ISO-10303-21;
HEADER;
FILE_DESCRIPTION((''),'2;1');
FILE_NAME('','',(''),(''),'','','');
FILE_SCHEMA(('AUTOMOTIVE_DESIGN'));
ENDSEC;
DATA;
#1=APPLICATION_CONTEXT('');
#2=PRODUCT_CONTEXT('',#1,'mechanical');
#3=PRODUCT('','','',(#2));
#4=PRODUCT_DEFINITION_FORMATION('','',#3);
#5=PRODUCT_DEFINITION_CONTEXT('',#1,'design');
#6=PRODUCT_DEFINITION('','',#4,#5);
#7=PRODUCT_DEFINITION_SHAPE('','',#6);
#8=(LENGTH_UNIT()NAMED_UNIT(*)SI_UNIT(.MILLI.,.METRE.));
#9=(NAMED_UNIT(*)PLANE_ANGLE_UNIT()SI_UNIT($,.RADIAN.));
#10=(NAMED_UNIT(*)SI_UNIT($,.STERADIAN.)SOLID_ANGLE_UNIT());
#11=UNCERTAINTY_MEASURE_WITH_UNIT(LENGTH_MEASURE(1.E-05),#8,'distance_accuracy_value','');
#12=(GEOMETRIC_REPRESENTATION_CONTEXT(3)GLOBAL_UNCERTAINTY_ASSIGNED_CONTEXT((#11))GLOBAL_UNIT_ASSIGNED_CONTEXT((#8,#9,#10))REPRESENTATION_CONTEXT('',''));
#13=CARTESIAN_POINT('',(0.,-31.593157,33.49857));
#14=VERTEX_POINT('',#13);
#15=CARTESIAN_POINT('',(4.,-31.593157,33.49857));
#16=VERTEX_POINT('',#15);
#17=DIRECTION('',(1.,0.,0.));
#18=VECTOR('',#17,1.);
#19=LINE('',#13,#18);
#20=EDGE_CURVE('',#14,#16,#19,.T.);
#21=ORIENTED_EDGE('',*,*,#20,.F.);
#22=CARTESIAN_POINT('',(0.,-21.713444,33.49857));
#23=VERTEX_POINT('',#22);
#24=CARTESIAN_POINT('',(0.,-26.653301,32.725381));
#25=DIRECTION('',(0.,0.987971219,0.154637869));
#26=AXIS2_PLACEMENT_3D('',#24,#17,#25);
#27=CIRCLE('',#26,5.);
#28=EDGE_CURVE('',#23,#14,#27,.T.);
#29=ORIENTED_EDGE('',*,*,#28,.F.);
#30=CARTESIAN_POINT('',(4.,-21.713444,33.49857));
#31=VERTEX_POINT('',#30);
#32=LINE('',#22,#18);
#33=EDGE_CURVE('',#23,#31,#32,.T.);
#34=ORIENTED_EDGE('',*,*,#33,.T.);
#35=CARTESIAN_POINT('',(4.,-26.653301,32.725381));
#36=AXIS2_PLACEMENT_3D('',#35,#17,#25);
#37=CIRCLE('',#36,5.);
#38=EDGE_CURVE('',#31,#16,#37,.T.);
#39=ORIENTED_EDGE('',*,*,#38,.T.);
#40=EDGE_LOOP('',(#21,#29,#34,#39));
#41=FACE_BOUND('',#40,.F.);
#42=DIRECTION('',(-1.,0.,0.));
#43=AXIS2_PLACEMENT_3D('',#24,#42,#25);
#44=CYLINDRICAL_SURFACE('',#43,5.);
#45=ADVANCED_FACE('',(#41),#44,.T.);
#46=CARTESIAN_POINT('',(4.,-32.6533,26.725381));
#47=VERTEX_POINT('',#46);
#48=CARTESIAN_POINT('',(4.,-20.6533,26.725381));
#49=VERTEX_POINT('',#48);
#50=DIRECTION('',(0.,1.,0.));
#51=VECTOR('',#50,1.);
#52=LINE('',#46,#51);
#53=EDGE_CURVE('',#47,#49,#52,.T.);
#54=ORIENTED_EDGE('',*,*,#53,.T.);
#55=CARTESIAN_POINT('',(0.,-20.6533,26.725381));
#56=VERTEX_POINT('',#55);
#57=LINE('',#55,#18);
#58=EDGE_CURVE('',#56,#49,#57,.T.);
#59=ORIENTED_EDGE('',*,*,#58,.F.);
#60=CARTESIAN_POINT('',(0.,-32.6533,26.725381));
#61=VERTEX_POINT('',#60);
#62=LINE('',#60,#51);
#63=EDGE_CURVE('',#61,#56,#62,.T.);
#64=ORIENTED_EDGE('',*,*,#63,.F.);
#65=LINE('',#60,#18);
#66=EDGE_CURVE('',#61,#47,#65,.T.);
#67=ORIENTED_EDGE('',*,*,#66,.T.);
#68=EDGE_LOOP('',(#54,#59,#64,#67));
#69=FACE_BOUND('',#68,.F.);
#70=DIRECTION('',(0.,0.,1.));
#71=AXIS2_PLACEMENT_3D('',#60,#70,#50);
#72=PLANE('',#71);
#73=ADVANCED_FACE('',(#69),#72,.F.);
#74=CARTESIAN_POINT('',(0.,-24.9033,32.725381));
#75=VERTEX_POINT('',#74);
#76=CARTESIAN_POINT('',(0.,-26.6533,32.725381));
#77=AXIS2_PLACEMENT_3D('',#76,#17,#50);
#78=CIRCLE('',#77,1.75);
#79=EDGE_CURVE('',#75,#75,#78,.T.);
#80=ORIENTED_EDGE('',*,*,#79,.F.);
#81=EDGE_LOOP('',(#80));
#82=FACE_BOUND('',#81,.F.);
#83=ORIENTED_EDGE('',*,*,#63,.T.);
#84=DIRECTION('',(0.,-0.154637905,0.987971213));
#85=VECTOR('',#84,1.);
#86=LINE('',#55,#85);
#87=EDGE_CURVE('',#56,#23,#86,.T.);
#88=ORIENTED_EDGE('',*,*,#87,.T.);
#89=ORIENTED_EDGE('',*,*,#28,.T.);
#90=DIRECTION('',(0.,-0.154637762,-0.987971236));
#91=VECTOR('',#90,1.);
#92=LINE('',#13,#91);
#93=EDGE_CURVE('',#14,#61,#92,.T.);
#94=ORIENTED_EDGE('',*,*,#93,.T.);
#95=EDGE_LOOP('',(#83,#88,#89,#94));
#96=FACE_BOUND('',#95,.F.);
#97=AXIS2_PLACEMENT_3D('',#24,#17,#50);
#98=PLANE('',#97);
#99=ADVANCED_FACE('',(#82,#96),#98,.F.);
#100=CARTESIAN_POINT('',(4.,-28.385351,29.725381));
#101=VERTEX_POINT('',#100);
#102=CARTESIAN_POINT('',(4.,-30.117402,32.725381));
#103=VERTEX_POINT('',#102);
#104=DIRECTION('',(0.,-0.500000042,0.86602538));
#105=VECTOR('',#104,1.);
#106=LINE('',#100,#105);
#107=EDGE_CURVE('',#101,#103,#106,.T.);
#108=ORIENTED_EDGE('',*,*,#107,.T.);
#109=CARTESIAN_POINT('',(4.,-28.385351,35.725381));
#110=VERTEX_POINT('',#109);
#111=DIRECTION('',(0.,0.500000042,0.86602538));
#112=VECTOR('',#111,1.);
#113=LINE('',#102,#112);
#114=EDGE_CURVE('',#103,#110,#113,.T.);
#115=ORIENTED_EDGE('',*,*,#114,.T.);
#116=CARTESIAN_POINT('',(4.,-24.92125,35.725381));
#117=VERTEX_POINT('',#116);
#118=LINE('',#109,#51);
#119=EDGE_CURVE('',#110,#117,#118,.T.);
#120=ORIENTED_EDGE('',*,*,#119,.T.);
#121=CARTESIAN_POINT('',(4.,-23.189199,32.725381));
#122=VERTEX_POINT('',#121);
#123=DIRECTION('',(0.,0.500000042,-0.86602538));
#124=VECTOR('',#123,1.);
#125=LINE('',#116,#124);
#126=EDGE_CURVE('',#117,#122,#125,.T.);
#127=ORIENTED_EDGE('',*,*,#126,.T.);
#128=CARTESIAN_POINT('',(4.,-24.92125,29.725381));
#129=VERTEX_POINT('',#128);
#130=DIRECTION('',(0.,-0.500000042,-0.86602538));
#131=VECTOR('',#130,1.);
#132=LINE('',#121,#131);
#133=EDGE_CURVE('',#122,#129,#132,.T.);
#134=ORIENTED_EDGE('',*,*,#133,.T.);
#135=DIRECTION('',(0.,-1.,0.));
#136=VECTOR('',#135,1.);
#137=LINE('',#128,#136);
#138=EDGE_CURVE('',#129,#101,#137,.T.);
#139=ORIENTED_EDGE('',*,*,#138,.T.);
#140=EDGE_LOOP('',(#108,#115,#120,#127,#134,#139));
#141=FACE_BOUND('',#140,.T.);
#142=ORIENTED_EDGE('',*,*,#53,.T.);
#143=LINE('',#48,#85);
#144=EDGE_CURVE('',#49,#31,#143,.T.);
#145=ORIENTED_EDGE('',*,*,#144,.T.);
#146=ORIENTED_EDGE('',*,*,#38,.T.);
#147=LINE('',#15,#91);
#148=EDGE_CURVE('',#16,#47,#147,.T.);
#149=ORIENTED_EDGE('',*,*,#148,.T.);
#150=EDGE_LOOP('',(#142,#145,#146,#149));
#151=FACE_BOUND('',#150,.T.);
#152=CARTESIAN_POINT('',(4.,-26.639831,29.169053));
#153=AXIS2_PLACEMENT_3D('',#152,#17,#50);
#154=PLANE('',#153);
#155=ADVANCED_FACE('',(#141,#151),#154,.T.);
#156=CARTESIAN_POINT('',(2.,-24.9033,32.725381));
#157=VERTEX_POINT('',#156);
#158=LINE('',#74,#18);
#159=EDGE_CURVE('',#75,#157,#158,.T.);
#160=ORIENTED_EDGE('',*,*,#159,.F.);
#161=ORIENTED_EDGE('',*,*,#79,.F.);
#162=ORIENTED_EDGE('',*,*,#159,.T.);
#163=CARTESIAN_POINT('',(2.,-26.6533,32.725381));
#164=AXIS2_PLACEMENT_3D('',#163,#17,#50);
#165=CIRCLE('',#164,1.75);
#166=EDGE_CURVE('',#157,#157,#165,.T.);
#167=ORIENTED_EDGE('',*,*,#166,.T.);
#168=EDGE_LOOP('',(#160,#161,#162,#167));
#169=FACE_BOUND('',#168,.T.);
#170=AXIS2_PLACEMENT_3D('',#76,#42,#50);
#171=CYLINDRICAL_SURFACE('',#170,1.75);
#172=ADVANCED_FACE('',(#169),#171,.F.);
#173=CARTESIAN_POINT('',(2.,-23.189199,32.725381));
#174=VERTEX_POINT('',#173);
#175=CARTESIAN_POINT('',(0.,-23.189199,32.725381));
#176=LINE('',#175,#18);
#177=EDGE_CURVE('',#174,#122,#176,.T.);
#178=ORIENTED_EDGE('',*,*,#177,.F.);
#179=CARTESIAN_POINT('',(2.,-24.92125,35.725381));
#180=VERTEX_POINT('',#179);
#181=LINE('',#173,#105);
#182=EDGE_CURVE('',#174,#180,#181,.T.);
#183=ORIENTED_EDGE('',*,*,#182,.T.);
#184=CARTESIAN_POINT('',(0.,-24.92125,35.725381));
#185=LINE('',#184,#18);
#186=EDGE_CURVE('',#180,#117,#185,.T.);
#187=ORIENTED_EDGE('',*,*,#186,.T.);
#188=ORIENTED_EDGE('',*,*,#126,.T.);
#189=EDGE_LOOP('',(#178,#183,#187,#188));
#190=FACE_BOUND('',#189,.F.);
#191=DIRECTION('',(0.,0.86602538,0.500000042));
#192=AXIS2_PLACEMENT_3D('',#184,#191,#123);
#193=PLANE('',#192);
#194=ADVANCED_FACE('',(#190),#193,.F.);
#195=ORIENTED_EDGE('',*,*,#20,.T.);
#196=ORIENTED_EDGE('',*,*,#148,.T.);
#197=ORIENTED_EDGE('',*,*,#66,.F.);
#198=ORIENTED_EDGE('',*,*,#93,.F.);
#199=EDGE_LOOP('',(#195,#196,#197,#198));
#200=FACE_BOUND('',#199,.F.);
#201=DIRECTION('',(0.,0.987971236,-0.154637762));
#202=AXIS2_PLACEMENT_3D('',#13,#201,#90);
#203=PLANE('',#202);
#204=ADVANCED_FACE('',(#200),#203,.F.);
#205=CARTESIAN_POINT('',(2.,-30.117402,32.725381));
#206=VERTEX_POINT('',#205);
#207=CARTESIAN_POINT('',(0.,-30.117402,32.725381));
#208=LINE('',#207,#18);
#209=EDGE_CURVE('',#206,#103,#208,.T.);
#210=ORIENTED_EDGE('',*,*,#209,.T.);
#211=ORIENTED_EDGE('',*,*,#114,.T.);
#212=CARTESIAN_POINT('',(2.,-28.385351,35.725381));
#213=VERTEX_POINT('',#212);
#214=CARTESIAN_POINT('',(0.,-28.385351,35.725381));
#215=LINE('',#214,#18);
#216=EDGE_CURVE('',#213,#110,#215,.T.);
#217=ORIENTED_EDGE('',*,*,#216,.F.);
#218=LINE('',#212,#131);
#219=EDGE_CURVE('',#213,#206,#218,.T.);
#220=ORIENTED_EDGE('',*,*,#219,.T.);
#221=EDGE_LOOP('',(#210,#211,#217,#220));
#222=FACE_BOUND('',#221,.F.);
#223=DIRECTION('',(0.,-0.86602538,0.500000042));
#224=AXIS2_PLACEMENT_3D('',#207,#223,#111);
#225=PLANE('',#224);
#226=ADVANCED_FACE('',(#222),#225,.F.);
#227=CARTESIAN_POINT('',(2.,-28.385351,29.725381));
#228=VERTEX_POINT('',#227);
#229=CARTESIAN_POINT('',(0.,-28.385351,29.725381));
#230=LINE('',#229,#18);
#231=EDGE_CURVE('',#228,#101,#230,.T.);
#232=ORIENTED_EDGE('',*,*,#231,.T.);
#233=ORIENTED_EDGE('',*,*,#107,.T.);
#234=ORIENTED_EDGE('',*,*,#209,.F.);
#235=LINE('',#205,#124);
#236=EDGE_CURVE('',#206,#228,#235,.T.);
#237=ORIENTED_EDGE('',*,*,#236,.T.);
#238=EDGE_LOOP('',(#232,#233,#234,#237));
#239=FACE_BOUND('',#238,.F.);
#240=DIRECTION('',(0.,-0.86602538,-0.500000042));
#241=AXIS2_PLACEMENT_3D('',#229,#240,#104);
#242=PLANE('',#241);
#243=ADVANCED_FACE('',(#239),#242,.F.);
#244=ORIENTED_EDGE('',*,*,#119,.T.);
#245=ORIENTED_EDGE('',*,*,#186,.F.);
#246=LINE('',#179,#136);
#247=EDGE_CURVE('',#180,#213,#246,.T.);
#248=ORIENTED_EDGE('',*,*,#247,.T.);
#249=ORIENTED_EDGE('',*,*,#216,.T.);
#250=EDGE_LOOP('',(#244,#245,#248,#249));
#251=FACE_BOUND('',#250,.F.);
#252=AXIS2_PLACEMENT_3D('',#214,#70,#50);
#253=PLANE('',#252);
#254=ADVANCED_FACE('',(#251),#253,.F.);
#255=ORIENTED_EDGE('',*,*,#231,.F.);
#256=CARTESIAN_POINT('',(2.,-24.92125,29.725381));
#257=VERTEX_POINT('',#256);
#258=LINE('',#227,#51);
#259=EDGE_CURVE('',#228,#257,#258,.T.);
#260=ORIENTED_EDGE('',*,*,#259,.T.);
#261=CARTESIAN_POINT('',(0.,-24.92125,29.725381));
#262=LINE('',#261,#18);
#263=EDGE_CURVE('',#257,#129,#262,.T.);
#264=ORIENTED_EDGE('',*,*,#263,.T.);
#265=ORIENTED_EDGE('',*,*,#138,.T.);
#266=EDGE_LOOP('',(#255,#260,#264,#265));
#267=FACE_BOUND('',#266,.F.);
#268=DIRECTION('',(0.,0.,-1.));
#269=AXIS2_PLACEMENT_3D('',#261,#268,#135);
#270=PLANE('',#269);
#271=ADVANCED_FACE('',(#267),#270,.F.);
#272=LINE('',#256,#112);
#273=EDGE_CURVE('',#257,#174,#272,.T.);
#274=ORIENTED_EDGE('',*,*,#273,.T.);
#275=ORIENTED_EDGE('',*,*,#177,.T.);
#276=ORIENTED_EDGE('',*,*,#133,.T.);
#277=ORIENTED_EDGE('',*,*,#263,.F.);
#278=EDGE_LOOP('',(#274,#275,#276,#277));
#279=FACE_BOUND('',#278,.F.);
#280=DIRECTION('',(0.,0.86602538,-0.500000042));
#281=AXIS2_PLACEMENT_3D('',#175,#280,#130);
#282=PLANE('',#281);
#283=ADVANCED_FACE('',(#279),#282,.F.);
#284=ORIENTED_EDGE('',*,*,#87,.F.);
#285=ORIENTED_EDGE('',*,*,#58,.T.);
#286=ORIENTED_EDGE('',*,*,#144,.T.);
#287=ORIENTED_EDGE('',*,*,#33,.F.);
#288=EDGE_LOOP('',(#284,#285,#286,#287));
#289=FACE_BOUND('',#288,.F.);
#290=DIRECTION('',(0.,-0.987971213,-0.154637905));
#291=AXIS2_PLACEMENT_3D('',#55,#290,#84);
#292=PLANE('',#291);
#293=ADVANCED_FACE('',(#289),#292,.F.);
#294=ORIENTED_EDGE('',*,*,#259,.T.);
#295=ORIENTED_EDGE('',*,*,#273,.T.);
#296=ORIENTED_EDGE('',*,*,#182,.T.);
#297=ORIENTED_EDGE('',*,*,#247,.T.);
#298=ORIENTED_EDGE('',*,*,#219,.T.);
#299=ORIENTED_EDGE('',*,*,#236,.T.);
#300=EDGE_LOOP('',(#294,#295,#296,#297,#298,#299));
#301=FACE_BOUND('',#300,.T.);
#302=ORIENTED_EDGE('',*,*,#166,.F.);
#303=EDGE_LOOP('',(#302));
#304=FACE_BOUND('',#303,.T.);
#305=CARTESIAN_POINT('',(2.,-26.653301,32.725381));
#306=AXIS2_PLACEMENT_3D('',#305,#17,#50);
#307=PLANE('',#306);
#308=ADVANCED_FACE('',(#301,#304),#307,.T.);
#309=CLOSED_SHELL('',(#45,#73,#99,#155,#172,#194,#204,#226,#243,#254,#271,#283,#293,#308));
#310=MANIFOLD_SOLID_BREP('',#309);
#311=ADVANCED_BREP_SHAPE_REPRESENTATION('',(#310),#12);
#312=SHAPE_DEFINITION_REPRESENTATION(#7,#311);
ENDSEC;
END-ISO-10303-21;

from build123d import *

# Parameters (mm, degrees)
F1_DEPTH = 4
F0_R     = 1.75
F2_DEPTH = 2


with BuildPart() as f1:
    # F0 (on Right) → F1 (new body)
    with BuildSketch(Plane.YZ):
        with BuildLine():
            ThreePointArc((-21.713444, 33.49857), (-21.668359, 33.113144), (-21.6533, 32.725381))
            ThreePointArc((-21.6533, 32.725381), (-27.041063, 27.74044), (-31.593157, 33.49857))
            Line((-31.593157, 33.49857), (-32.6533, 26.725381))
            Line((-32.6533, 26.725381), (-20.6533, 26.725381))
            Line((-20.6533, 26.725381), (-21.713444, 33.49857))
        make_face()
        with BuildLine():
            ThreePointArc((-31.593157, 33.49857), (-27.041063, 27.74044), (-21.6533, 32.725381))
            ThreePointArc((-21.6533, 32.725381), (-21.668359, 33.113144), (-21.713444, 33.49857))
            ThreePointArc((-21.713444, 33.49857), (-26.6533, 37.725381), (-31.593157, 33.49857))
        make_face()
        Polygon((-28.385351, 29.725381), (-30.117402, 32.725381), (-28.385351, 35.725381), (-24.92125, 35.725381), (-23.189199, 32.725381), (-24.92125, 29.725381), align=None, mode=Mode.SUBTRACT)
    extrude(amount=F1_DEPTH)

    # F0 (on Right) → F2 (join)
    with BuildSketch(Plane.YZ):
        Polygon((-28.385351, 35.725381), (-30.117402, 32.725381), (-28.385351, 29.725381), (-24.92125, 29.725381), (-23.189199, 32.725381), (-24.92125, 35.725381), align=None)
        with Locations((-26.6533, 32.725381)):
            Circle(F0_R, mode=Mode.SUBTRACT)
    extrude(amount=F2_DEPTH)


solid = f1.part
